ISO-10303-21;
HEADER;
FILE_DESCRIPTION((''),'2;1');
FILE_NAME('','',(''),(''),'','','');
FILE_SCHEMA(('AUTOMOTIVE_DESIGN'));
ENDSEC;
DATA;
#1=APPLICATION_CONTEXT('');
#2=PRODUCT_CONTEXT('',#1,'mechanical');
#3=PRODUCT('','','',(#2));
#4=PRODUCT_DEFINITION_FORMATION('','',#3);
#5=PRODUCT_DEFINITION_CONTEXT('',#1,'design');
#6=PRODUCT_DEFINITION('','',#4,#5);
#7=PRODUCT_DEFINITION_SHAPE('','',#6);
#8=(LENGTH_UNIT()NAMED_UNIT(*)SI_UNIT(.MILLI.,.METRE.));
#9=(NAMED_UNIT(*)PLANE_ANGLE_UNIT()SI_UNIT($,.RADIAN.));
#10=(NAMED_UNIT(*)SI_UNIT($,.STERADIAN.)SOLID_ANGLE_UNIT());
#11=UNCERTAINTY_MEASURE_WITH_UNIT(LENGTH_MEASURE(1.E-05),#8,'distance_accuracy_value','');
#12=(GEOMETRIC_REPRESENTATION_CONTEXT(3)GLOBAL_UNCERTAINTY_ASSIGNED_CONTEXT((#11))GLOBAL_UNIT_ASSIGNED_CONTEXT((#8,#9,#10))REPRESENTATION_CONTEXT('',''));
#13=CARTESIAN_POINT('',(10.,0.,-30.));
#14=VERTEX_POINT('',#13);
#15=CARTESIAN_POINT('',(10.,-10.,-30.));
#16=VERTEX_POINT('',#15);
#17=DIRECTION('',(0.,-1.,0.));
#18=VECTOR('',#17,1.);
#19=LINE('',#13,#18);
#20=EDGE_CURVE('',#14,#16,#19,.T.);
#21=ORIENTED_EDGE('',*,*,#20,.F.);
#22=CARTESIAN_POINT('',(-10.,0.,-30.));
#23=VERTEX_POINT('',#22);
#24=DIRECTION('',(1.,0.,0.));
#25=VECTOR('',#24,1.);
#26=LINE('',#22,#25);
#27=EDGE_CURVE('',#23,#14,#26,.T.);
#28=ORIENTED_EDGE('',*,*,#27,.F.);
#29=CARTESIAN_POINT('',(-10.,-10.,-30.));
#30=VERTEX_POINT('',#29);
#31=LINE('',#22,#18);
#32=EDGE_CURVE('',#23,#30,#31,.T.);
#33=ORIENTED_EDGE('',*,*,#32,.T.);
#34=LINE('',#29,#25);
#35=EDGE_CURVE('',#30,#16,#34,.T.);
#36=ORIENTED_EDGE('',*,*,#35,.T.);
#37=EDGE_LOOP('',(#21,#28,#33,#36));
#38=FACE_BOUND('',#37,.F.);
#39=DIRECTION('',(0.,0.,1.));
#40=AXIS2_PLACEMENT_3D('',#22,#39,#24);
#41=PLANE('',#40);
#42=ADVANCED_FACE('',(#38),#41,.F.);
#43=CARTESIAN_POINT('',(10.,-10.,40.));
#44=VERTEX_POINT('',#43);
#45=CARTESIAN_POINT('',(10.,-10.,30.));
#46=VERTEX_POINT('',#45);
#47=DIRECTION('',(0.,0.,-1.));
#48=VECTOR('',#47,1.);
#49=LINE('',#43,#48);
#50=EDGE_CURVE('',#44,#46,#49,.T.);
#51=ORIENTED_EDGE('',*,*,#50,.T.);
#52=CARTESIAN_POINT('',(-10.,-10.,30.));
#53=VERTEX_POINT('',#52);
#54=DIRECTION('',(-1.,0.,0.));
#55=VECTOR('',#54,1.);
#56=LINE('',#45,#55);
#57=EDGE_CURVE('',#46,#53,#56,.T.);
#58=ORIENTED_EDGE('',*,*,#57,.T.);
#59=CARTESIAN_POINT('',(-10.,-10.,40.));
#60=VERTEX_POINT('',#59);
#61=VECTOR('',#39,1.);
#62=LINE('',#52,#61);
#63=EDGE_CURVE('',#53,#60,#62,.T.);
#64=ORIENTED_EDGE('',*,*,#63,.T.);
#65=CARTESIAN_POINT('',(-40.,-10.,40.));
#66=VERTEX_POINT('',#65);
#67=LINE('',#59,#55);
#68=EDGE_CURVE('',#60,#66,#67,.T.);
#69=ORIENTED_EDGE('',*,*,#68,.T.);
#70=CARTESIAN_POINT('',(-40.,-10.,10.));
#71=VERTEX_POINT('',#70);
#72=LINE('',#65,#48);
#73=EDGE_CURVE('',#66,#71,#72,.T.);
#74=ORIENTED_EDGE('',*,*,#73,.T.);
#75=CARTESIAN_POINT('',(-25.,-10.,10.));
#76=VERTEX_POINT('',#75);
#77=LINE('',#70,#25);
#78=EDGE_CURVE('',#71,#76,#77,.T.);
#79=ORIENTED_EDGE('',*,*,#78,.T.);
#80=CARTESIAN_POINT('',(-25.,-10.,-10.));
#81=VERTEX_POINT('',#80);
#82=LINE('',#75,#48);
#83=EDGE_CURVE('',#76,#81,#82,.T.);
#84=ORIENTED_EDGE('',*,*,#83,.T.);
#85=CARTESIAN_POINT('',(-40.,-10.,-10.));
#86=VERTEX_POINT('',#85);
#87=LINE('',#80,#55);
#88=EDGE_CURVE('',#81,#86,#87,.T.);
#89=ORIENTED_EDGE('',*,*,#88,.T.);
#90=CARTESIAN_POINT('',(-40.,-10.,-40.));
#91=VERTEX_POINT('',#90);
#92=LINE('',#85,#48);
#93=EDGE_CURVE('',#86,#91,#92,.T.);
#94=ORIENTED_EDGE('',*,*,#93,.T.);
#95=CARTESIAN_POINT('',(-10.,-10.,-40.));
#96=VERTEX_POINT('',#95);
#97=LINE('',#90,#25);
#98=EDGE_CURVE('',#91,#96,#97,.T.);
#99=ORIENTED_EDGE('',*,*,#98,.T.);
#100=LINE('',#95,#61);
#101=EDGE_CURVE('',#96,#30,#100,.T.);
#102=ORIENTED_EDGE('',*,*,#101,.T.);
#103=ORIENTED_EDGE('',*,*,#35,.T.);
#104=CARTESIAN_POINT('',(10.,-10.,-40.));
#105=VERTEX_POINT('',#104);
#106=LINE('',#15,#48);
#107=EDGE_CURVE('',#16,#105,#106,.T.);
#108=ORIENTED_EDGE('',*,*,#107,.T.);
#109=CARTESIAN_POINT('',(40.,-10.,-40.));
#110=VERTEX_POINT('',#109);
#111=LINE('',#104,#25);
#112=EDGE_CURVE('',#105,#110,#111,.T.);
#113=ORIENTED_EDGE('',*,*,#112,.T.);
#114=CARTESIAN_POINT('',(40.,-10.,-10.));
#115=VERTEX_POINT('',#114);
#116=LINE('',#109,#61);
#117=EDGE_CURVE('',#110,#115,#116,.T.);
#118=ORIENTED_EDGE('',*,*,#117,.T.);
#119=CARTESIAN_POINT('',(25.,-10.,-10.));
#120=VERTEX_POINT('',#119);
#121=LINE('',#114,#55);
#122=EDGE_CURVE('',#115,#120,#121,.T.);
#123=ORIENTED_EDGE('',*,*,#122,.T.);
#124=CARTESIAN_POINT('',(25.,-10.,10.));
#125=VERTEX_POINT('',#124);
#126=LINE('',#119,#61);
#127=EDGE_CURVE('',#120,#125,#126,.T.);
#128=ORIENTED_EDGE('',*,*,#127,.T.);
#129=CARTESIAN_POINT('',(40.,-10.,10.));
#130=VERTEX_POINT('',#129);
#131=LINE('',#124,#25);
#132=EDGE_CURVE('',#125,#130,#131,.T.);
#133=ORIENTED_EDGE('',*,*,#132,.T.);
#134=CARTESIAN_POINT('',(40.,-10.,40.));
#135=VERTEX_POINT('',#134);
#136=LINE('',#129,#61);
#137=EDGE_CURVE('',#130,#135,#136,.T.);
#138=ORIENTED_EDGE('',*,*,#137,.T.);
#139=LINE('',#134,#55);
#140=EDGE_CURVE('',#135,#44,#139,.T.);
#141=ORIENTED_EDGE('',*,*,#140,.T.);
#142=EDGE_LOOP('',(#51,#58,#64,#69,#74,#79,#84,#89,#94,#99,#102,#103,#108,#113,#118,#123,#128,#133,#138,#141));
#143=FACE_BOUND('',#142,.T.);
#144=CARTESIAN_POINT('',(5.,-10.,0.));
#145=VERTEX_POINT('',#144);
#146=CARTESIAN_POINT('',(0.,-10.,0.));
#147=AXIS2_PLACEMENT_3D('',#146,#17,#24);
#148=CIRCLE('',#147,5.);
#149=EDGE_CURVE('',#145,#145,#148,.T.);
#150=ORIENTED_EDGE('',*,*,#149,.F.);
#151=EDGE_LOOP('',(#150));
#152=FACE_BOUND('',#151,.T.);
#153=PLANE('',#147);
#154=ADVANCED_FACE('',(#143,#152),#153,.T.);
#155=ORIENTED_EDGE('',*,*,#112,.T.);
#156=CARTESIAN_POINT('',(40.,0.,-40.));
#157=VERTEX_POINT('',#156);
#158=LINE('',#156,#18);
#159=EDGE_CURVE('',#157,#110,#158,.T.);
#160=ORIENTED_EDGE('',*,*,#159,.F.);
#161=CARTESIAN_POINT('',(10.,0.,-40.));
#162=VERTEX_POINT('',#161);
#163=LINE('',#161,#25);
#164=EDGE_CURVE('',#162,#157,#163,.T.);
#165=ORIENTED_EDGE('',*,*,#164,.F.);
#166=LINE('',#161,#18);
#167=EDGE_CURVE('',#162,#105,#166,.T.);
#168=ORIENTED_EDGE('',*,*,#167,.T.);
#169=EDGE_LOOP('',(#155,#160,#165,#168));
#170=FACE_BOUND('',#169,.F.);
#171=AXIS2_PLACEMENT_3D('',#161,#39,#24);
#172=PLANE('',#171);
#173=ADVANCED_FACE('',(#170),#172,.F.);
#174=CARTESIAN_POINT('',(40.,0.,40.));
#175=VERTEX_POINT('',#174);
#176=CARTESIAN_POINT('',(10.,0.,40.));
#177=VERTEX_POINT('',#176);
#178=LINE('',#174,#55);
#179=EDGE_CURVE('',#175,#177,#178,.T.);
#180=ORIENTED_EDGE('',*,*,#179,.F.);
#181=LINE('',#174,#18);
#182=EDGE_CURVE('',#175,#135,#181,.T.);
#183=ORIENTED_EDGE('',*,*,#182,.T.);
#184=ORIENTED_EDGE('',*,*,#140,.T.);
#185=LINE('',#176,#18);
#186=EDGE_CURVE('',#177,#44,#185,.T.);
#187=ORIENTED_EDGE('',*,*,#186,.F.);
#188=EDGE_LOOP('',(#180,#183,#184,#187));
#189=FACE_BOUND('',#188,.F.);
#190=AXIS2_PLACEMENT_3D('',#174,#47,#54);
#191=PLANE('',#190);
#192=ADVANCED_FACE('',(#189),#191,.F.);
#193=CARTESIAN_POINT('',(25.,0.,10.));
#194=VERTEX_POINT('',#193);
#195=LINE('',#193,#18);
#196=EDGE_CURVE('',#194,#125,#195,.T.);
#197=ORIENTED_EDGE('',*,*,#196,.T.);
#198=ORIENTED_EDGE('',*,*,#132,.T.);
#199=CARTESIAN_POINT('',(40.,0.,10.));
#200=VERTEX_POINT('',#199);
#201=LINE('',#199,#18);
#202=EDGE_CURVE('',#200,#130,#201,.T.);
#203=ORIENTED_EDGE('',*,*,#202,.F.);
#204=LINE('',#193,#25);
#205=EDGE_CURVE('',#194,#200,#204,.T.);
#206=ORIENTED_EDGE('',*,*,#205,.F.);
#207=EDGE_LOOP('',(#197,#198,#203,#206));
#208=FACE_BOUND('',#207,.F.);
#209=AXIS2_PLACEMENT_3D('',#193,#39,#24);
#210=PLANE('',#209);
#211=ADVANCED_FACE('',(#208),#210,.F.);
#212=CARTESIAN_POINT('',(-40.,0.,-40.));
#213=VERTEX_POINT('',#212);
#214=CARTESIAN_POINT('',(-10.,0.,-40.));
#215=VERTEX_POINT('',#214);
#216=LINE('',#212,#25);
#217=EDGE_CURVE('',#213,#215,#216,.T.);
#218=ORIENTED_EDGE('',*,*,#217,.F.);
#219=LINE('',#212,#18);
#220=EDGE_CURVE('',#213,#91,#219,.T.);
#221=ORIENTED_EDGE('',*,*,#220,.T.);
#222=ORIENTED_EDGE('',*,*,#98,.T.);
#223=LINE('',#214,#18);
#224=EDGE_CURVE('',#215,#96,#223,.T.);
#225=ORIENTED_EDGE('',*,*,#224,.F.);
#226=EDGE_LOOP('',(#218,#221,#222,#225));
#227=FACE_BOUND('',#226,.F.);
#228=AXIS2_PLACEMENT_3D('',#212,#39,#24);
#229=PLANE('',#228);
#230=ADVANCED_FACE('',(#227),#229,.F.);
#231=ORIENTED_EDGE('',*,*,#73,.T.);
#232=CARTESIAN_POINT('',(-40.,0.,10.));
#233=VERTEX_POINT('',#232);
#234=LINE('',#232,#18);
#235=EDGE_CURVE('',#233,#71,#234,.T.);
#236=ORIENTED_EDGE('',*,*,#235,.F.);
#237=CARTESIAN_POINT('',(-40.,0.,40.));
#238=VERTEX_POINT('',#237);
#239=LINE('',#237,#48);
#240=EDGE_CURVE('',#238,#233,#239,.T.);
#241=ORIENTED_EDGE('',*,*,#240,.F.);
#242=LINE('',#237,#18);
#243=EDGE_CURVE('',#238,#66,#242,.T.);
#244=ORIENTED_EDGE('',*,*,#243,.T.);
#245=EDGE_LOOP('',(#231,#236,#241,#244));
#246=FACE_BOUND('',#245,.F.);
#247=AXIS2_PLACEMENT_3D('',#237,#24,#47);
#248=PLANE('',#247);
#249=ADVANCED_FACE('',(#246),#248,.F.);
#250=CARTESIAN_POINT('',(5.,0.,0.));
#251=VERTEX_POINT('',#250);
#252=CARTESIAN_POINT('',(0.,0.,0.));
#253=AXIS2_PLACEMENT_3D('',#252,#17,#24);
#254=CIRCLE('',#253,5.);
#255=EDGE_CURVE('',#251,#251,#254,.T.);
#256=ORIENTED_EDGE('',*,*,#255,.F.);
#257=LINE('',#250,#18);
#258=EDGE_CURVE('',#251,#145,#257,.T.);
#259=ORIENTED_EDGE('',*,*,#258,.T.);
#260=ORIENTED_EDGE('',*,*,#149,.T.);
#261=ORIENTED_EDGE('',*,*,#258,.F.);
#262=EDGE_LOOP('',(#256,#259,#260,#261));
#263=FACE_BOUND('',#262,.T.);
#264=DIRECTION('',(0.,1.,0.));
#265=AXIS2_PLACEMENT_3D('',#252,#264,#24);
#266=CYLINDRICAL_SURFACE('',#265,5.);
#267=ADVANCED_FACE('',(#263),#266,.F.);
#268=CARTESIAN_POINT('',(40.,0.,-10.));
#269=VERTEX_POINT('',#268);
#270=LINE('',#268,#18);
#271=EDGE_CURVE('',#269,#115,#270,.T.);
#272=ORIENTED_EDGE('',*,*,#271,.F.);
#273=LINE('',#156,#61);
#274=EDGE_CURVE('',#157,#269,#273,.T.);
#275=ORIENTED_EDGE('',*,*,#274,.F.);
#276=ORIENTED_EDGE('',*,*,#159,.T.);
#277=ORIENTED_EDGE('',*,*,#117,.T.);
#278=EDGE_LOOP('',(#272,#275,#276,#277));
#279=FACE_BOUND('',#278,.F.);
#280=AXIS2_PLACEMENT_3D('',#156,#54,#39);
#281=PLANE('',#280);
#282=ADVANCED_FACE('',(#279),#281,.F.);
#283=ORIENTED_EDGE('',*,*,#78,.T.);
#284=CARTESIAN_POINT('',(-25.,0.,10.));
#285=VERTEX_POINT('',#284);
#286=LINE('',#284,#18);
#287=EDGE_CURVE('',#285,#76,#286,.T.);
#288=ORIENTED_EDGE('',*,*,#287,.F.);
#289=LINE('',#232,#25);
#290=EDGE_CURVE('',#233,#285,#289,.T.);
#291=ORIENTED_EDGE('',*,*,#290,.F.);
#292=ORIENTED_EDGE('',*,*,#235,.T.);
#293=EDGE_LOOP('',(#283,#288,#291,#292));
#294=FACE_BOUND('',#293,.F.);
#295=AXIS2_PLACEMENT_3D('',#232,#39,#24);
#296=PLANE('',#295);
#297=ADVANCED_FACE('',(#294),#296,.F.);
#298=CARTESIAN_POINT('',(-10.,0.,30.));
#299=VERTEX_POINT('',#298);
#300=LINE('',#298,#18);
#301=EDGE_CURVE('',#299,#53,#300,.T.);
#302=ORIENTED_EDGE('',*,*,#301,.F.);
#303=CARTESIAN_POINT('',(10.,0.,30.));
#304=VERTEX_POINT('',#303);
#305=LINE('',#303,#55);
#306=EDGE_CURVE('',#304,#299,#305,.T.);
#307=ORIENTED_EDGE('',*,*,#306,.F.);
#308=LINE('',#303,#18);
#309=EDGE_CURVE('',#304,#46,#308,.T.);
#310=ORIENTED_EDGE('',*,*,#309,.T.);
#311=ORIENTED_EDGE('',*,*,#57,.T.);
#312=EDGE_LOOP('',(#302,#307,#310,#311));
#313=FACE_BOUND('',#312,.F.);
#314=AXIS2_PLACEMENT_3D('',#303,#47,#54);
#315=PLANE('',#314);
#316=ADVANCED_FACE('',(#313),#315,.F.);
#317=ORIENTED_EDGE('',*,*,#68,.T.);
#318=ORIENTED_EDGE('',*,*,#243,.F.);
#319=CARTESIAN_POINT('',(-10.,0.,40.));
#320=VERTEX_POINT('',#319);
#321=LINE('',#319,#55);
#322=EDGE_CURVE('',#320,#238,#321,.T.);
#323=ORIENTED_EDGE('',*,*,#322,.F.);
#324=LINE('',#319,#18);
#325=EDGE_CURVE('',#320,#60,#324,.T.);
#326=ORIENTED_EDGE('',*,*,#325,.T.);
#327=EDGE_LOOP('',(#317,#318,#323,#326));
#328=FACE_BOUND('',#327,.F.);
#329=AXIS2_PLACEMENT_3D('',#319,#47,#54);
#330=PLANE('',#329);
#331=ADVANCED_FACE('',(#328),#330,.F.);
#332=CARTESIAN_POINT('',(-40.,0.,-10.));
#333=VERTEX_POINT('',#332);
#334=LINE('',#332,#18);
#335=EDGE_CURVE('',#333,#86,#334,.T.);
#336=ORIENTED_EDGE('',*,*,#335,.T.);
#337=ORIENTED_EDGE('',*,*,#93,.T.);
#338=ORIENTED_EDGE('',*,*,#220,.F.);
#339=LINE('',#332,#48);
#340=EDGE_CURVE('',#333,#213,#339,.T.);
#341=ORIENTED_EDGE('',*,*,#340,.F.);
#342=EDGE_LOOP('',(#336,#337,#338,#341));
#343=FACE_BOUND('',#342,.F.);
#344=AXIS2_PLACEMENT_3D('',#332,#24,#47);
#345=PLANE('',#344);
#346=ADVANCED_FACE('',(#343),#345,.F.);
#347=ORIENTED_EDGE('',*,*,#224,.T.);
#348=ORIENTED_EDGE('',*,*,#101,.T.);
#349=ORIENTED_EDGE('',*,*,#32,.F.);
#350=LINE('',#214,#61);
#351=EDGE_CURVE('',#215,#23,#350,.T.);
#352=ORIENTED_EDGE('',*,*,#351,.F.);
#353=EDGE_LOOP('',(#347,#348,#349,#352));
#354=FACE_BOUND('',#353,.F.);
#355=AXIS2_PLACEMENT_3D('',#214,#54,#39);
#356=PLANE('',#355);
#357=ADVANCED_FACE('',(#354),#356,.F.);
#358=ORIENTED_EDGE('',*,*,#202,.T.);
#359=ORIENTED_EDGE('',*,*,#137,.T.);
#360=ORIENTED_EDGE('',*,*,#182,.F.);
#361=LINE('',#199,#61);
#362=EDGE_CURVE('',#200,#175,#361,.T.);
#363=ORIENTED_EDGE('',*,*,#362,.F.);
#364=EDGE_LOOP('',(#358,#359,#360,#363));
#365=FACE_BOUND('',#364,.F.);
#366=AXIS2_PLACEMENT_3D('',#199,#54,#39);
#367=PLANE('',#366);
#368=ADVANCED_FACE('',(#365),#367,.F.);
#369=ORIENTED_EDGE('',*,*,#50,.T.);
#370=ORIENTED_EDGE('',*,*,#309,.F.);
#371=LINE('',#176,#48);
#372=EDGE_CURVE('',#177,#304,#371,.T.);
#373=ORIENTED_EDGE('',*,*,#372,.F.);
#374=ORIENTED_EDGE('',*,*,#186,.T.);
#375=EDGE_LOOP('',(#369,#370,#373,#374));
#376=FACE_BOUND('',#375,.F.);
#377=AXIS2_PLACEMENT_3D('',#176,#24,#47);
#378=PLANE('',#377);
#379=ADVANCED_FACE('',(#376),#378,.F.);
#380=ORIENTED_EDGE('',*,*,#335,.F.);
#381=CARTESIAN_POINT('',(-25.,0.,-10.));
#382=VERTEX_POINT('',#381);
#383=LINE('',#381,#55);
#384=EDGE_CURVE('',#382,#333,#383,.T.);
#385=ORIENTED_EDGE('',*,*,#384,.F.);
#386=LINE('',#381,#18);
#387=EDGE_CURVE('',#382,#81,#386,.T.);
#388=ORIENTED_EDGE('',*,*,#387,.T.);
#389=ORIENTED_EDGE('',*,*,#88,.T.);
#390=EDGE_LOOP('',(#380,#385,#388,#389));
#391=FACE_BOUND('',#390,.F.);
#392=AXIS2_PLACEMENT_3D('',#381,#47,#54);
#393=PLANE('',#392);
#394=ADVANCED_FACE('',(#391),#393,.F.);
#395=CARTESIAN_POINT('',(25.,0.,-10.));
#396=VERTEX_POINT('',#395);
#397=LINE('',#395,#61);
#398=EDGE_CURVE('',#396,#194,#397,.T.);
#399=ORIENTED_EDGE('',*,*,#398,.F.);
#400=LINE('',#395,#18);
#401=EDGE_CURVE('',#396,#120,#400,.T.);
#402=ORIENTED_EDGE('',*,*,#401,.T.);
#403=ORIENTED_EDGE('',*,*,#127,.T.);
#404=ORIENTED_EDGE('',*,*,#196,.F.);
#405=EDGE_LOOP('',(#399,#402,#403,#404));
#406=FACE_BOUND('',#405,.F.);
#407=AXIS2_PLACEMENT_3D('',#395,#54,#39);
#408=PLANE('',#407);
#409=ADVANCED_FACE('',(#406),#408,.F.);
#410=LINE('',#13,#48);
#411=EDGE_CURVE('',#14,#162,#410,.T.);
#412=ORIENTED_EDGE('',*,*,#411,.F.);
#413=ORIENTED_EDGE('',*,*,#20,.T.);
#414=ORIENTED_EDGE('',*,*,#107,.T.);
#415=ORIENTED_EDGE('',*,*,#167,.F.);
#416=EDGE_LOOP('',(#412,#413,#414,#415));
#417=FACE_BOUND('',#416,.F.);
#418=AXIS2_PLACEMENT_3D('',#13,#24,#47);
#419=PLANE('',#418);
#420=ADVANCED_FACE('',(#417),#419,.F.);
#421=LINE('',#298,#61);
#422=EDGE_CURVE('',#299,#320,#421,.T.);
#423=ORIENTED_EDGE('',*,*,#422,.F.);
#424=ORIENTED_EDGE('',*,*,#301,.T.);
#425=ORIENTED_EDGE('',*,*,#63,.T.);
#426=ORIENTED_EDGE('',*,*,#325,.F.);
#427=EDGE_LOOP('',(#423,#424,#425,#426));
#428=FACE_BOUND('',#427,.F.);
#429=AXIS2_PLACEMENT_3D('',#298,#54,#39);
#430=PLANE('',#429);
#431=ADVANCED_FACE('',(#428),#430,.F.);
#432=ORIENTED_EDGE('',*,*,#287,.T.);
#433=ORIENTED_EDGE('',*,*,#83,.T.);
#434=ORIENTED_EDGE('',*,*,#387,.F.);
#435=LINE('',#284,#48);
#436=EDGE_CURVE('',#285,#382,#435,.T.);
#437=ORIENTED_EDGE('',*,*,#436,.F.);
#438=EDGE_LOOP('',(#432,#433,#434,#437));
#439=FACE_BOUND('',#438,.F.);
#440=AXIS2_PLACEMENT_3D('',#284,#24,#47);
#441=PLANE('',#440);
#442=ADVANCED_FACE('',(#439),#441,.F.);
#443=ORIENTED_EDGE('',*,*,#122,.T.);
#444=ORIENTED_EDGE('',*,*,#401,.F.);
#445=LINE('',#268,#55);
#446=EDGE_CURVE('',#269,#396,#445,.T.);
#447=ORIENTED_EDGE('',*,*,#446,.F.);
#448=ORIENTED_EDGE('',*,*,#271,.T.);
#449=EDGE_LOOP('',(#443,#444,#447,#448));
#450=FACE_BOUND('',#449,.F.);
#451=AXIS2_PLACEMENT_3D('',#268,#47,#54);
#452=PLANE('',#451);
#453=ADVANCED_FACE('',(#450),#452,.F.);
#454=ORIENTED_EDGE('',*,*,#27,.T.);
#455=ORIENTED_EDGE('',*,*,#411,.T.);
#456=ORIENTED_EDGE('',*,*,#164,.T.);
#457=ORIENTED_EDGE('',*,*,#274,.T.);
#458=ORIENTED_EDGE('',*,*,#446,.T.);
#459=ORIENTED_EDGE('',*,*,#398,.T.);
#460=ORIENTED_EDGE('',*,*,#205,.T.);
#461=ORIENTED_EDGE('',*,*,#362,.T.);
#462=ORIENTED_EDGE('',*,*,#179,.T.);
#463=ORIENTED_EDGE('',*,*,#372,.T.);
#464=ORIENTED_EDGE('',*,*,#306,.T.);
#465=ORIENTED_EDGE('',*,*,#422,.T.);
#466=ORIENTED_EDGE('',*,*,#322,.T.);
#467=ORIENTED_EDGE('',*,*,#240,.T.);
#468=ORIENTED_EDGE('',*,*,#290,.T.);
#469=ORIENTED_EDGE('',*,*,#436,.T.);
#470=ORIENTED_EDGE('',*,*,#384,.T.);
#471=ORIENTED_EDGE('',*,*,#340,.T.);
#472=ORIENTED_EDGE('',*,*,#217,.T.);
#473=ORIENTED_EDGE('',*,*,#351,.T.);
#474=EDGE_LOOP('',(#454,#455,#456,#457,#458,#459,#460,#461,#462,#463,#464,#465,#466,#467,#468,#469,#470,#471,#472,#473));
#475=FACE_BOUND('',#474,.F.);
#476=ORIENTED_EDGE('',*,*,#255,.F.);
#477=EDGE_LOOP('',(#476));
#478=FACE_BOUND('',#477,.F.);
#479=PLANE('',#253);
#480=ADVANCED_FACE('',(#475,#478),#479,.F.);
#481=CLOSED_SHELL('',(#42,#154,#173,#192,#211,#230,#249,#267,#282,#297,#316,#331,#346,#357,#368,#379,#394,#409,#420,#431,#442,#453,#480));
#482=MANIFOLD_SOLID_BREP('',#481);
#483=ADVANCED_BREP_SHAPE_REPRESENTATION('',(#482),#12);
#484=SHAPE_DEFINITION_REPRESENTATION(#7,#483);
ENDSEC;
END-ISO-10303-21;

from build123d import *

# Parameters (mm, degrees)
F0_R     = 5
F1_DEPTH = 10


with BuildPart() as f1:
    # F0 (on Front) → F1 (new body)
    with BuildSketch(Plane.XZ):
        Polygon((10, 30), (0, 30), (-10, 30), (-10, 40), (-40, 40), (-40, 10), (-25, 10), (-25, 0), (-25, -10), (-40, -10), (-40, -40), (-10, -40), (-10, -30), (0, -30), (10, -30), (10, -40), (40, -40), (40, -10), (25, -10), (25, 0), (25, 10), (40, 10), (40, 40), (10, 40), align=None)
        Circle(F0_R, mode=Mode.SUBTRACT)
    extrude(amount=F1_DEPTH)


solid = f1.part
